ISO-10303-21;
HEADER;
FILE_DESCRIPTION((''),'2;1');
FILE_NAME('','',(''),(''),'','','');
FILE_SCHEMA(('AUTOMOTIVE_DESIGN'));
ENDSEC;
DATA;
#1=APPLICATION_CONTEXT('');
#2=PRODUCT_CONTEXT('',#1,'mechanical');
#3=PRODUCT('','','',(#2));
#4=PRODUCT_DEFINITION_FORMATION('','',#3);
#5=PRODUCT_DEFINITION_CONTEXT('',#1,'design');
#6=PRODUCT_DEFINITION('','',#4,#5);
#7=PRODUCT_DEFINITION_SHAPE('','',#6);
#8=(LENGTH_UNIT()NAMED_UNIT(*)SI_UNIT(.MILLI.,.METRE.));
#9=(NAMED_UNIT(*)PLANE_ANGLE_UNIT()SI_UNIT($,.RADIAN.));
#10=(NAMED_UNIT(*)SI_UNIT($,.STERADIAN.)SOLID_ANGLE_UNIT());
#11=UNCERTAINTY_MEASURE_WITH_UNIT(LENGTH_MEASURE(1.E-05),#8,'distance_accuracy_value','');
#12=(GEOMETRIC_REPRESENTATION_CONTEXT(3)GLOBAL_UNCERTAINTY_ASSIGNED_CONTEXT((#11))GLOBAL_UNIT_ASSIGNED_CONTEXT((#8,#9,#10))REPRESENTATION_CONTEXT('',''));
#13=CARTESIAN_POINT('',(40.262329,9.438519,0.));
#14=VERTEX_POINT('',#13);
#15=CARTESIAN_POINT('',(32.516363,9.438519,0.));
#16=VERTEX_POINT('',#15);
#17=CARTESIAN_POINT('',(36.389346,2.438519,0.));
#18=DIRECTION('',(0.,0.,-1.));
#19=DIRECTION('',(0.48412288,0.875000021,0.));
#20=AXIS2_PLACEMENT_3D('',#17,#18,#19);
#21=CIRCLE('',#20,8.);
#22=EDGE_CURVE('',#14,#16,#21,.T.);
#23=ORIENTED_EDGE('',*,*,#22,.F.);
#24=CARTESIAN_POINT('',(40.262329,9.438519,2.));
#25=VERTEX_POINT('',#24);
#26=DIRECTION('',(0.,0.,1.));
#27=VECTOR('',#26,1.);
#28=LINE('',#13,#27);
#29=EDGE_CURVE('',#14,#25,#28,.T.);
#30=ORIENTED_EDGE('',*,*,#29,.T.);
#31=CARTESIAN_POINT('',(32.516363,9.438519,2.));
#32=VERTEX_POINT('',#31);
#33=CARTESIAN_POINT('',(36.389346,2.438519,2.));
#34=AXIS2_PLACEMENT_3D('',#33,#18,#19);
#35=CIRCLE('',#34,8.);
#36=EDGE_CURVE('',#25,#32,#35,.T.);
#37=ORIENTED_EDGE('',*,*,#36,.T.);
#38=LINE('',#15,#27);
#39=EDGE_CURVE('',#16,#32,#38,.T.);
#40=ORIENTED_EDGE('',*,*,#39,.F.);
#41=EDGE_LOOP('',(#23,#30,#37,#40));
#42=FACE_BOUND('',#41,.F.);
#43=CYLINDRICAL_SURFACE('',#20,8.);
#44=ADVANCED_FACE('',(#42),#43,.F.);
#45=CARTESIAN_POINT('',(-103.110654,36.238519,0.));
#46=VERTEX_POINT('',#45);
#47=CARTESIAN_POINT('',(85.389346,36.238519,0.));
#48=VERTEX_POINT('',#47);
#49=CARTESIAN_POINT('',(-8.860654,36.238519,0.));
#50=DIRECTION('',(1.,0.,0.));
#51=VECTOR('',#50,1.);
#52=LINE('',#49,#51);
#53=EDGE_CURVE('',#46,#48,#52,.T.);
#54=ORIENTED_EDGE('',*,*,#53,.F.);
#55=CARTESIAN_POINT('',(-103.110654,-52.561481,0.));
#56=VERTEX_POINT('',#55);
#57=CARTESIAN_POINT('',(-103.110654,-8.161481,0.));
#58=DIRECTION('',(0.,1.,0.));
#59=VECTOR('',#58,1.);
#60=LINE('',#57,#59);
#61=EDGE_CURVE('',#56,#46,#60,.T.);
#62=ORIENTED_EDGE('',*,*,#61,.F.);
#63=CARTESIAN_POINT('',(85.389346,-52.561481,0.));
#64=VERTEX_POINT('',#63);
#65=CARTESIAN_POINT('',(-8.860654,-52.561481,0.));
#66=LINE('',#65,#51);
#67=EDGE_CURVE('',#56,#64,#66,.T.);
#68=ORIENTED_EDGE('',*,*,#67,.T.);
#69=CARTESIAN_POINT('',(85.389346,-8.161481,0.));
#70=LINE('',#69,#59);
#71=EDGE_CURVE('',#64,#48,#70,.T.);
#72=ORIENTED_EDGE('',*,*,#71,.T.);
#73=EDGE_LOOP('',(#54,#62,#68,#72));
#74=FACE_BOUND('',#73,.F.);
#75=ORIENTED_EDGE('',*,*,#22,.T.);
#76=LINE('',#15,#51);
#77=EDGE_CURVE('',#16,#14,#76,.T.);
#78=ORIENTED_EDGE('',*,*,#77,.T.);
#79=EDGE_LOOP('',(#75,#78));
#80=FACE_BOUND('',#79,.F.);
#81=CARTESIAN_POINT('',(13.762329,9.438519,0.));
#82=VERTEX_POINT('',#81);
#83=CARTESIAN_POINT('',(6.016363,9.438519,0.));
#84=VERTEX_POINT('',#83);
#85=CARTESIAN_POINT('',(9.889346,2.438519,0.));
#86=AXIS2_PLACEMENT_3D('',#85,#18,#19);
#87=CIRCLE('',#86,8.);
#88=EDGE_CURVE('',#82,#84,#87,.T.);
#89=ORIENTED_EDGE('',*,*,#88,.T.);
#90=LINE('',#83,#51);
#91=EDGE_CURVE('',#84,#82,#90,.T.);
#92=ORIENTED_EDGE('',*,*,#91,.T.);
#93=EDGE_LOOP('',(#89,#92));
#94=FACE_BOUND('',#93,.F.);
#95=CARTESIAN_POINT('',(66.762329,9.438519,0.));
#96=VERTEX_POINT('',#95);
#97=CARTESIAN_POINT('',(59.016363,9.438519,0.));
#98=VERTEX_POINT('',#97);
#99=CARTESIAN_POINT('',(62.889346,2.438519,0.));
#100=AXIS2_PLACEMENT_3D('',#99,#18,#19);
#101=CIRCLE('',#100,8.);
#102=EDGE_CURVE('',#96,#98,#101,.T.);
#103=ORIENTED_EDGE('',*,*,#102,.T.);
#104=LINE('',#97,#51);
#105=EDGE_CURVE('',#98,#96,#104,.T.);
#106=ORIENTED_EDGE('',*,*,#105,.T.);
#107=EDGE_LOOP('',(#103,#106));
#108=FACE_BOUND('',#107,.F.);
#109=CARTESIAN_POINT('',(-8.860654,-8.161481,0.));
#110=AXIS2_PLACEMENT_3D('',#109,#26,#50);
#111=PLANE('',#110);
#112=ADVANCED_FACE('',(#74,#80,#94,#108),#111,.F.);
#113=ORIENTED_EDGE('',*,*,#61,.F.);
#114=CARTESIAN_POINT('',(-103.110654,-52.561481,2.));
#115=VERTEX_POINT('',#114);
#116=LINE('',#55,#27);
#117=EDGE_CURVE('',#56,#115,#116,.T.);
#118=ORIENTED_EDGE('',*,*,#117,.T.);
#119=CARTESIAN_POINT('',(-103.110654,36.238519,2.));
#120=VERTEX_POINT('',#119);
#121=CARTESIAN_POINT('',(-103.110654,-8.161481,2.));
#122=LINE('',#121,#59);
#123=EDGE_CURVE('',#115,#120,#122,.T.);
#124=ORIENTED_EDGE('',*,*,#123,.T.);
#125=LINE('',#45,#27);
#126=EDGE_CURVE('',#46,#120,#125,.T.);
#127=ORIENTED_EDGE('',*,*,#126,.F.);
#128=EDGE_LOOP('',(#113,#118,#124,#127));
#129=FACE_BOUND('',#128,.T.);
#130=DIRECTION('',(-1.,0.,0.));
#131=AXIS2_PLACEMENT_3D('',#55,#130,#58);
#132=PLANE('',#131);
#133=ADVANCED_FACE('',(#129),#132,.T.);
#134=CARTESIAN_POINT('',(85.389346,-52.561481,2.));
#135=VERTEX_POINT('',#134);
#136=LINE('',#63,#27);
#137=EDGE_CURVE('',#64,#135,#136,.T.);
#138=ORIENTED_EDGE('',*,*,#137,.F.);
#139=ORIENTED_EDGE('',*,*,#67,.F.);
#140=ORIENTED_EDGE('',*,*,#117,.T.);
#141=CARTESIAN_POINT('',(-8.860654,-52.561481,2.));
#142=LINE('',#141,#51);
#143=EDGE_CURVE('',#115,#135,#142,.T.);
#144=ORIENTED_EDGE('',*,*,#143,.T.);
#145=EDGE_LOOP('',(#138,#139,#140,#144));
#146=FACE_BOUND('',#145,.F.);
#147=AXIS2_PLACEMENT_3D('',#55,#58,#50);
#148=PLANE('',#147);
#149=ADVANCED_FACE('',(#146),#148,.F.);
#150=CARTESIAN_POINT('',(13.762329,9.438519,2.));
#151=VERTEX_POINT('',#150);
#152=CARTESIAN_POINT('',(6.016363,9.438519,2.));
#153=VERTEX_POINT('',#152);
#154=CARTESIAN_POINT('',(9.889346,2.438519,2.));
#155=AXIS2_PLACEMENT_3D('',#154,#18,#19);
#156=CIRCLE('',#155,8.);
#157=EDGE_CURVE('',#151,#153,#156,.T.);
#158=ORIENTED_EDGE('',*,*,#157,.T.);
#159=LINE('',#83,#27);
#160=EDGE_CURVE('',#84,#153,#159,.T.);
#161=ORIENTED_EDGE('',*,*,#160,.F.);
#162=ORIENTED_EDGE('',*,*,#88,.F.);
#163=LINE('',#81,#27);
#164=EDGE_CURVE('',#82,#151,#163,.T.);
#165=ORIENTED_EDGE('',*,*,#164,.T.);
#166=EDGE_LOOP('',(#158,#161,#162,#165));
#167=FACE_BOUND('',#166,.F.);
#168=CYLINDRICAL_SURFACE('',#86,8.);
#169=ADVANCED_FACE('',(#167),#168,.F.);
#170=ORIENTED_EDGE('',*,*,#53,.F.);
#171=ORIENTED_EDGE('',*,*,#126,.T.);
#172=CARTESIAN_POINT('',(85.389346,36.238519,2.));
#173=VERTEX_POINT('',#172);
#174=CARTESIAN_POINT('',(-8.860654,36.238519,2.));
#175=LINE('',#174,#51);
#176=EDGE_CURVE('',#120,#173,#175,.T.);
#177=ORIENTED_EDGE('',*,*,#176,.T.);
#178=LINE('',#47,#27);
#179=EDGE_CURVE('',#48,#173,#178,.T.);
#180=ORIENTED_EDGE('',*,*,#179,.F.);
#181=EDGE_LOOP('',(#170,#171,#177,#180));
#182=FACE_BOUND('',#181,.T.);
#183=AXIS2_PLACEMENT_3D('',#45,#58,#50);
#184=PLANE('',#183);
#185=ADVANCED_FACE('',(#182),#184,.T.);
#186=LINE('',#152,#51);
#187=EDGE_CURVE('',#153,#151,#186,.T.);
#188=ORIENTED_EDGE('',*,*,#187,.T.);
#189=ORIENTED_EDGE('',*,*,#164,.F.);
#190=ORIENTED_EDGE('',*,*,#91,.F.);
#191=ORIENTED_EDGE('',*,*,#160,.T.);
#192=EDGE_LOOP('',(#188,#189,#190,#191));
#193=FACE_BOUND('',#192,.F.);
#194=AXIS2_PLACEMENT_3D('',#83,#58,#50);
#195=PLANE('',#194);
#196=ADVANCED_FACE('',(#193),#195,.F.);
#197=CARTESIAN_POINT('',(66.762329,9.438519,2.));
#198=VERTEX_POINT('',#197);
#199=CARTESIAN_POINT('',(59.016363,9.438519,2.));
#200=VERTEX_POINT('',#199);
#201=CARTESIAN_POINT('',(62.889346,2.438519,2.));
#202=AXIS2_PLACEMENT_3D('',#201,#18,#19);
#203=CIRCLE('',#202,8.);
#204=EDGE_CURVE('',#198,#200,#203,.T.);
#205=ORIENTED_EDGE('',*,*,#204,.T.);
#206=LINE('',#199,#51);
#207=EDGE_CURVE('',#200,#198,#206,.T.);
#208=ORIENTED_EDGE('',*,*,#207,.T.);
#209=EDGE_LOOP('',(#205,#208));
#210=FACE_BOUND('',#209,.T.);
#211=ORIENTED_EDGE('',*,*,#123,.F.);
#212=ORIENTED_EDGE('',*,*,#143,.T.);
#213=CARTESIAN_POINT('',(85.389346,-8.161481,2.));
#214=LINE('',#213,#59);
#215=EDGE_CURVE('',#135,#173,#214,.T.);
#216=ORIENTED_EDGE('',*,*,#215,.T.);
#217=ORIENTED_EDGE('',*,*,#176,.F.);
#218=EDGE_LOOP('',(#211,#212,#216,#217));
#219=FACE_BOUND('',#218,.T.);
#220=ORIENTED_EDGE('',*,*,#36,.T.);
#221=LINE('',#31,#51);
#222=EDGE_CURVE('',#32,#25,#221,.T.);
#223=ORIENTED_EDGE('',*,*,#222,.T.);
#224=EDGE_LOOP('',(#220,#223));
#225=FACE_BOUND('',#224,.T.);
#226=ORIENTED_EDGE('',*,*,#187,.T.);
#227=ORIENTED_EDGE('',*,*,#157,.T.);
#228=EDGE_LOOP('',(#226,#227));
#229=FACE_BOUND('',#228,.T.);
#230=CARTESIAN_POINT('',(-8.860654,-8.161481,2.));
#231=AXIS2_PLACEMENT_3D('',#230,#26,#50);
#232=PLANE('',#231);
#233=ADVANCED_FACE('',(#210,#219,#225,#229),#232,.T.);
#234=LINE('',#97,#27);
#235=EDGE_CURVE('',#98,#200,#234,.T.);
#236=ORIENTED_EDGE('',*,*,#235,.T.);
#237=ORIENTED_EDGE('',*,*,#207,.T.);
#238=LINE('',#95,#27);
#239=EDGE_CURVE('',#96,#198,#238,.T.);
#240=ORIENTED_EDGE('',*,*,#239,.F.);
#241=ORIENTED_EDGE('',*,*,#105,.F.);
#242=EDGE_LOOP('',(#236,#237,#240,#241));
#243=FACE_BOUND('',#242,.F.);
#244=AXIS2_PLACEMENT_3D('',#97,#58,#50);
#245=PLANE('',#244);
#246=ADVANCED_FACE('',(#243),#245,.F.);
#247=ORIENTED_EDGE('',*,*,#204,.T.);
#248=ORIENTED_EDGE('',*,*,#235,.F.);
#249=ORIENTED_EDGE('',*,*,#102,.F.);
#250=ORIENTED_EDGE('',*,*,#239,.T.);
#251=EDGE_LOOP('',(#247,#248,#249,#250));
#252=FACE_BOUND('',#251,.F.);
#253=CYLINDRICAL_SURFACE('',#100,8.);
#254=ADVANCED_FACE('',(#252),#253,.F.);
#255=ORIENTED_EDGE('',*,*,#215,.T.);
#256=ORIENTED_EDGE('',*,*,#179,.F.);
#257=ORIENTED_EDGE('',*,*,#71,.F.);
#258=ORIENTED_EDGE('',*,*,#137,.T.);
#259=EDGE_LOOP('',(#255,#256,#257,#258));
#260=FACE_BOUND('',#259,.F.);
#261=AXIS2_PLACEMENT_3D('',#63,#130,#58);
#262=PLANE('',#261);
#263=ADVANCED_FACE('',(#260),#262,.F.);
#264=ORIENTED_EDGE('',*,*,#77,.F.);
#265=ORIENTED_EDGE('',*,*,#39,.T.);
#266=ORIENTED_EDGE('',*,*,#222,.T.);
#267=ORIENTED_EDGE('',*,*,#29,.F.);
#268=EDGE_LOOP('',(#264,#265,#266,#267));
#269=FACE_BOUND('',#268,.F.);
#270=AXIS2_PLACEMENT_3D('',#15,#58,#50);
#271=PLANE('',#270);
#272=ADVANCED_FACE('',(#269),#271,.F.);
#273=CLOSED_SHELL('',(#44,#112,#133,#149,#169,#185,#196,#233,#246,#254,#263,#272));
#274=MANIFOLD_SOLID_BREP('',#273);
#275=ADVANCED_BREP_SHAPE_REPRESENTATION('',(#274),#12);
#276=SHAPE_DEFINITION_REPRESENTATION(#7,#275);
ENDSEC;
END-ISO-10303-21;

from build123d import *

# Parameters (mm, degrees)
F0_W     = 188.5
F0_H     = 88.8
F1_DEPTH = 2


with BuildPart() as f1:
    # F0 (on Top) → F1 (new body)
    with BuildSketch(Plane.XY):
        with Locations((-8.860654, -8.161481)):
            Rectangle(F0_W, F0_H)
        with BuildLine():
            ThreePointArc((13.762329, 9.438519), (9.889346, -5.561481), (6.016363, 9.438519))
            Line((6.016363, 9.438519), (13.762329, 9.438519))
        make_face(mode=Mode.SUBTRACT)
        with BuildLine():
            ThreePointArc((40.262329, 9.438519), (36.389346, -5.561481), (32.516363, 9.438519))
            Line((32.516363, 9.438519), (40.262329, 9.438519))
        make_face(mode=Mode.SUBTRACT)
        with BuildLine():
            ThreePointArc((66.762329, 9.438519), (62.889346, -5.561481), (59.016363, 9.438519))
            Line((59.016363, 9.438519), (66.762329, 9.438519))
        make_face(mode=Mode.SUBTRACT)
    extrude(amount=F1_DEPTH)


solid = f1.part
